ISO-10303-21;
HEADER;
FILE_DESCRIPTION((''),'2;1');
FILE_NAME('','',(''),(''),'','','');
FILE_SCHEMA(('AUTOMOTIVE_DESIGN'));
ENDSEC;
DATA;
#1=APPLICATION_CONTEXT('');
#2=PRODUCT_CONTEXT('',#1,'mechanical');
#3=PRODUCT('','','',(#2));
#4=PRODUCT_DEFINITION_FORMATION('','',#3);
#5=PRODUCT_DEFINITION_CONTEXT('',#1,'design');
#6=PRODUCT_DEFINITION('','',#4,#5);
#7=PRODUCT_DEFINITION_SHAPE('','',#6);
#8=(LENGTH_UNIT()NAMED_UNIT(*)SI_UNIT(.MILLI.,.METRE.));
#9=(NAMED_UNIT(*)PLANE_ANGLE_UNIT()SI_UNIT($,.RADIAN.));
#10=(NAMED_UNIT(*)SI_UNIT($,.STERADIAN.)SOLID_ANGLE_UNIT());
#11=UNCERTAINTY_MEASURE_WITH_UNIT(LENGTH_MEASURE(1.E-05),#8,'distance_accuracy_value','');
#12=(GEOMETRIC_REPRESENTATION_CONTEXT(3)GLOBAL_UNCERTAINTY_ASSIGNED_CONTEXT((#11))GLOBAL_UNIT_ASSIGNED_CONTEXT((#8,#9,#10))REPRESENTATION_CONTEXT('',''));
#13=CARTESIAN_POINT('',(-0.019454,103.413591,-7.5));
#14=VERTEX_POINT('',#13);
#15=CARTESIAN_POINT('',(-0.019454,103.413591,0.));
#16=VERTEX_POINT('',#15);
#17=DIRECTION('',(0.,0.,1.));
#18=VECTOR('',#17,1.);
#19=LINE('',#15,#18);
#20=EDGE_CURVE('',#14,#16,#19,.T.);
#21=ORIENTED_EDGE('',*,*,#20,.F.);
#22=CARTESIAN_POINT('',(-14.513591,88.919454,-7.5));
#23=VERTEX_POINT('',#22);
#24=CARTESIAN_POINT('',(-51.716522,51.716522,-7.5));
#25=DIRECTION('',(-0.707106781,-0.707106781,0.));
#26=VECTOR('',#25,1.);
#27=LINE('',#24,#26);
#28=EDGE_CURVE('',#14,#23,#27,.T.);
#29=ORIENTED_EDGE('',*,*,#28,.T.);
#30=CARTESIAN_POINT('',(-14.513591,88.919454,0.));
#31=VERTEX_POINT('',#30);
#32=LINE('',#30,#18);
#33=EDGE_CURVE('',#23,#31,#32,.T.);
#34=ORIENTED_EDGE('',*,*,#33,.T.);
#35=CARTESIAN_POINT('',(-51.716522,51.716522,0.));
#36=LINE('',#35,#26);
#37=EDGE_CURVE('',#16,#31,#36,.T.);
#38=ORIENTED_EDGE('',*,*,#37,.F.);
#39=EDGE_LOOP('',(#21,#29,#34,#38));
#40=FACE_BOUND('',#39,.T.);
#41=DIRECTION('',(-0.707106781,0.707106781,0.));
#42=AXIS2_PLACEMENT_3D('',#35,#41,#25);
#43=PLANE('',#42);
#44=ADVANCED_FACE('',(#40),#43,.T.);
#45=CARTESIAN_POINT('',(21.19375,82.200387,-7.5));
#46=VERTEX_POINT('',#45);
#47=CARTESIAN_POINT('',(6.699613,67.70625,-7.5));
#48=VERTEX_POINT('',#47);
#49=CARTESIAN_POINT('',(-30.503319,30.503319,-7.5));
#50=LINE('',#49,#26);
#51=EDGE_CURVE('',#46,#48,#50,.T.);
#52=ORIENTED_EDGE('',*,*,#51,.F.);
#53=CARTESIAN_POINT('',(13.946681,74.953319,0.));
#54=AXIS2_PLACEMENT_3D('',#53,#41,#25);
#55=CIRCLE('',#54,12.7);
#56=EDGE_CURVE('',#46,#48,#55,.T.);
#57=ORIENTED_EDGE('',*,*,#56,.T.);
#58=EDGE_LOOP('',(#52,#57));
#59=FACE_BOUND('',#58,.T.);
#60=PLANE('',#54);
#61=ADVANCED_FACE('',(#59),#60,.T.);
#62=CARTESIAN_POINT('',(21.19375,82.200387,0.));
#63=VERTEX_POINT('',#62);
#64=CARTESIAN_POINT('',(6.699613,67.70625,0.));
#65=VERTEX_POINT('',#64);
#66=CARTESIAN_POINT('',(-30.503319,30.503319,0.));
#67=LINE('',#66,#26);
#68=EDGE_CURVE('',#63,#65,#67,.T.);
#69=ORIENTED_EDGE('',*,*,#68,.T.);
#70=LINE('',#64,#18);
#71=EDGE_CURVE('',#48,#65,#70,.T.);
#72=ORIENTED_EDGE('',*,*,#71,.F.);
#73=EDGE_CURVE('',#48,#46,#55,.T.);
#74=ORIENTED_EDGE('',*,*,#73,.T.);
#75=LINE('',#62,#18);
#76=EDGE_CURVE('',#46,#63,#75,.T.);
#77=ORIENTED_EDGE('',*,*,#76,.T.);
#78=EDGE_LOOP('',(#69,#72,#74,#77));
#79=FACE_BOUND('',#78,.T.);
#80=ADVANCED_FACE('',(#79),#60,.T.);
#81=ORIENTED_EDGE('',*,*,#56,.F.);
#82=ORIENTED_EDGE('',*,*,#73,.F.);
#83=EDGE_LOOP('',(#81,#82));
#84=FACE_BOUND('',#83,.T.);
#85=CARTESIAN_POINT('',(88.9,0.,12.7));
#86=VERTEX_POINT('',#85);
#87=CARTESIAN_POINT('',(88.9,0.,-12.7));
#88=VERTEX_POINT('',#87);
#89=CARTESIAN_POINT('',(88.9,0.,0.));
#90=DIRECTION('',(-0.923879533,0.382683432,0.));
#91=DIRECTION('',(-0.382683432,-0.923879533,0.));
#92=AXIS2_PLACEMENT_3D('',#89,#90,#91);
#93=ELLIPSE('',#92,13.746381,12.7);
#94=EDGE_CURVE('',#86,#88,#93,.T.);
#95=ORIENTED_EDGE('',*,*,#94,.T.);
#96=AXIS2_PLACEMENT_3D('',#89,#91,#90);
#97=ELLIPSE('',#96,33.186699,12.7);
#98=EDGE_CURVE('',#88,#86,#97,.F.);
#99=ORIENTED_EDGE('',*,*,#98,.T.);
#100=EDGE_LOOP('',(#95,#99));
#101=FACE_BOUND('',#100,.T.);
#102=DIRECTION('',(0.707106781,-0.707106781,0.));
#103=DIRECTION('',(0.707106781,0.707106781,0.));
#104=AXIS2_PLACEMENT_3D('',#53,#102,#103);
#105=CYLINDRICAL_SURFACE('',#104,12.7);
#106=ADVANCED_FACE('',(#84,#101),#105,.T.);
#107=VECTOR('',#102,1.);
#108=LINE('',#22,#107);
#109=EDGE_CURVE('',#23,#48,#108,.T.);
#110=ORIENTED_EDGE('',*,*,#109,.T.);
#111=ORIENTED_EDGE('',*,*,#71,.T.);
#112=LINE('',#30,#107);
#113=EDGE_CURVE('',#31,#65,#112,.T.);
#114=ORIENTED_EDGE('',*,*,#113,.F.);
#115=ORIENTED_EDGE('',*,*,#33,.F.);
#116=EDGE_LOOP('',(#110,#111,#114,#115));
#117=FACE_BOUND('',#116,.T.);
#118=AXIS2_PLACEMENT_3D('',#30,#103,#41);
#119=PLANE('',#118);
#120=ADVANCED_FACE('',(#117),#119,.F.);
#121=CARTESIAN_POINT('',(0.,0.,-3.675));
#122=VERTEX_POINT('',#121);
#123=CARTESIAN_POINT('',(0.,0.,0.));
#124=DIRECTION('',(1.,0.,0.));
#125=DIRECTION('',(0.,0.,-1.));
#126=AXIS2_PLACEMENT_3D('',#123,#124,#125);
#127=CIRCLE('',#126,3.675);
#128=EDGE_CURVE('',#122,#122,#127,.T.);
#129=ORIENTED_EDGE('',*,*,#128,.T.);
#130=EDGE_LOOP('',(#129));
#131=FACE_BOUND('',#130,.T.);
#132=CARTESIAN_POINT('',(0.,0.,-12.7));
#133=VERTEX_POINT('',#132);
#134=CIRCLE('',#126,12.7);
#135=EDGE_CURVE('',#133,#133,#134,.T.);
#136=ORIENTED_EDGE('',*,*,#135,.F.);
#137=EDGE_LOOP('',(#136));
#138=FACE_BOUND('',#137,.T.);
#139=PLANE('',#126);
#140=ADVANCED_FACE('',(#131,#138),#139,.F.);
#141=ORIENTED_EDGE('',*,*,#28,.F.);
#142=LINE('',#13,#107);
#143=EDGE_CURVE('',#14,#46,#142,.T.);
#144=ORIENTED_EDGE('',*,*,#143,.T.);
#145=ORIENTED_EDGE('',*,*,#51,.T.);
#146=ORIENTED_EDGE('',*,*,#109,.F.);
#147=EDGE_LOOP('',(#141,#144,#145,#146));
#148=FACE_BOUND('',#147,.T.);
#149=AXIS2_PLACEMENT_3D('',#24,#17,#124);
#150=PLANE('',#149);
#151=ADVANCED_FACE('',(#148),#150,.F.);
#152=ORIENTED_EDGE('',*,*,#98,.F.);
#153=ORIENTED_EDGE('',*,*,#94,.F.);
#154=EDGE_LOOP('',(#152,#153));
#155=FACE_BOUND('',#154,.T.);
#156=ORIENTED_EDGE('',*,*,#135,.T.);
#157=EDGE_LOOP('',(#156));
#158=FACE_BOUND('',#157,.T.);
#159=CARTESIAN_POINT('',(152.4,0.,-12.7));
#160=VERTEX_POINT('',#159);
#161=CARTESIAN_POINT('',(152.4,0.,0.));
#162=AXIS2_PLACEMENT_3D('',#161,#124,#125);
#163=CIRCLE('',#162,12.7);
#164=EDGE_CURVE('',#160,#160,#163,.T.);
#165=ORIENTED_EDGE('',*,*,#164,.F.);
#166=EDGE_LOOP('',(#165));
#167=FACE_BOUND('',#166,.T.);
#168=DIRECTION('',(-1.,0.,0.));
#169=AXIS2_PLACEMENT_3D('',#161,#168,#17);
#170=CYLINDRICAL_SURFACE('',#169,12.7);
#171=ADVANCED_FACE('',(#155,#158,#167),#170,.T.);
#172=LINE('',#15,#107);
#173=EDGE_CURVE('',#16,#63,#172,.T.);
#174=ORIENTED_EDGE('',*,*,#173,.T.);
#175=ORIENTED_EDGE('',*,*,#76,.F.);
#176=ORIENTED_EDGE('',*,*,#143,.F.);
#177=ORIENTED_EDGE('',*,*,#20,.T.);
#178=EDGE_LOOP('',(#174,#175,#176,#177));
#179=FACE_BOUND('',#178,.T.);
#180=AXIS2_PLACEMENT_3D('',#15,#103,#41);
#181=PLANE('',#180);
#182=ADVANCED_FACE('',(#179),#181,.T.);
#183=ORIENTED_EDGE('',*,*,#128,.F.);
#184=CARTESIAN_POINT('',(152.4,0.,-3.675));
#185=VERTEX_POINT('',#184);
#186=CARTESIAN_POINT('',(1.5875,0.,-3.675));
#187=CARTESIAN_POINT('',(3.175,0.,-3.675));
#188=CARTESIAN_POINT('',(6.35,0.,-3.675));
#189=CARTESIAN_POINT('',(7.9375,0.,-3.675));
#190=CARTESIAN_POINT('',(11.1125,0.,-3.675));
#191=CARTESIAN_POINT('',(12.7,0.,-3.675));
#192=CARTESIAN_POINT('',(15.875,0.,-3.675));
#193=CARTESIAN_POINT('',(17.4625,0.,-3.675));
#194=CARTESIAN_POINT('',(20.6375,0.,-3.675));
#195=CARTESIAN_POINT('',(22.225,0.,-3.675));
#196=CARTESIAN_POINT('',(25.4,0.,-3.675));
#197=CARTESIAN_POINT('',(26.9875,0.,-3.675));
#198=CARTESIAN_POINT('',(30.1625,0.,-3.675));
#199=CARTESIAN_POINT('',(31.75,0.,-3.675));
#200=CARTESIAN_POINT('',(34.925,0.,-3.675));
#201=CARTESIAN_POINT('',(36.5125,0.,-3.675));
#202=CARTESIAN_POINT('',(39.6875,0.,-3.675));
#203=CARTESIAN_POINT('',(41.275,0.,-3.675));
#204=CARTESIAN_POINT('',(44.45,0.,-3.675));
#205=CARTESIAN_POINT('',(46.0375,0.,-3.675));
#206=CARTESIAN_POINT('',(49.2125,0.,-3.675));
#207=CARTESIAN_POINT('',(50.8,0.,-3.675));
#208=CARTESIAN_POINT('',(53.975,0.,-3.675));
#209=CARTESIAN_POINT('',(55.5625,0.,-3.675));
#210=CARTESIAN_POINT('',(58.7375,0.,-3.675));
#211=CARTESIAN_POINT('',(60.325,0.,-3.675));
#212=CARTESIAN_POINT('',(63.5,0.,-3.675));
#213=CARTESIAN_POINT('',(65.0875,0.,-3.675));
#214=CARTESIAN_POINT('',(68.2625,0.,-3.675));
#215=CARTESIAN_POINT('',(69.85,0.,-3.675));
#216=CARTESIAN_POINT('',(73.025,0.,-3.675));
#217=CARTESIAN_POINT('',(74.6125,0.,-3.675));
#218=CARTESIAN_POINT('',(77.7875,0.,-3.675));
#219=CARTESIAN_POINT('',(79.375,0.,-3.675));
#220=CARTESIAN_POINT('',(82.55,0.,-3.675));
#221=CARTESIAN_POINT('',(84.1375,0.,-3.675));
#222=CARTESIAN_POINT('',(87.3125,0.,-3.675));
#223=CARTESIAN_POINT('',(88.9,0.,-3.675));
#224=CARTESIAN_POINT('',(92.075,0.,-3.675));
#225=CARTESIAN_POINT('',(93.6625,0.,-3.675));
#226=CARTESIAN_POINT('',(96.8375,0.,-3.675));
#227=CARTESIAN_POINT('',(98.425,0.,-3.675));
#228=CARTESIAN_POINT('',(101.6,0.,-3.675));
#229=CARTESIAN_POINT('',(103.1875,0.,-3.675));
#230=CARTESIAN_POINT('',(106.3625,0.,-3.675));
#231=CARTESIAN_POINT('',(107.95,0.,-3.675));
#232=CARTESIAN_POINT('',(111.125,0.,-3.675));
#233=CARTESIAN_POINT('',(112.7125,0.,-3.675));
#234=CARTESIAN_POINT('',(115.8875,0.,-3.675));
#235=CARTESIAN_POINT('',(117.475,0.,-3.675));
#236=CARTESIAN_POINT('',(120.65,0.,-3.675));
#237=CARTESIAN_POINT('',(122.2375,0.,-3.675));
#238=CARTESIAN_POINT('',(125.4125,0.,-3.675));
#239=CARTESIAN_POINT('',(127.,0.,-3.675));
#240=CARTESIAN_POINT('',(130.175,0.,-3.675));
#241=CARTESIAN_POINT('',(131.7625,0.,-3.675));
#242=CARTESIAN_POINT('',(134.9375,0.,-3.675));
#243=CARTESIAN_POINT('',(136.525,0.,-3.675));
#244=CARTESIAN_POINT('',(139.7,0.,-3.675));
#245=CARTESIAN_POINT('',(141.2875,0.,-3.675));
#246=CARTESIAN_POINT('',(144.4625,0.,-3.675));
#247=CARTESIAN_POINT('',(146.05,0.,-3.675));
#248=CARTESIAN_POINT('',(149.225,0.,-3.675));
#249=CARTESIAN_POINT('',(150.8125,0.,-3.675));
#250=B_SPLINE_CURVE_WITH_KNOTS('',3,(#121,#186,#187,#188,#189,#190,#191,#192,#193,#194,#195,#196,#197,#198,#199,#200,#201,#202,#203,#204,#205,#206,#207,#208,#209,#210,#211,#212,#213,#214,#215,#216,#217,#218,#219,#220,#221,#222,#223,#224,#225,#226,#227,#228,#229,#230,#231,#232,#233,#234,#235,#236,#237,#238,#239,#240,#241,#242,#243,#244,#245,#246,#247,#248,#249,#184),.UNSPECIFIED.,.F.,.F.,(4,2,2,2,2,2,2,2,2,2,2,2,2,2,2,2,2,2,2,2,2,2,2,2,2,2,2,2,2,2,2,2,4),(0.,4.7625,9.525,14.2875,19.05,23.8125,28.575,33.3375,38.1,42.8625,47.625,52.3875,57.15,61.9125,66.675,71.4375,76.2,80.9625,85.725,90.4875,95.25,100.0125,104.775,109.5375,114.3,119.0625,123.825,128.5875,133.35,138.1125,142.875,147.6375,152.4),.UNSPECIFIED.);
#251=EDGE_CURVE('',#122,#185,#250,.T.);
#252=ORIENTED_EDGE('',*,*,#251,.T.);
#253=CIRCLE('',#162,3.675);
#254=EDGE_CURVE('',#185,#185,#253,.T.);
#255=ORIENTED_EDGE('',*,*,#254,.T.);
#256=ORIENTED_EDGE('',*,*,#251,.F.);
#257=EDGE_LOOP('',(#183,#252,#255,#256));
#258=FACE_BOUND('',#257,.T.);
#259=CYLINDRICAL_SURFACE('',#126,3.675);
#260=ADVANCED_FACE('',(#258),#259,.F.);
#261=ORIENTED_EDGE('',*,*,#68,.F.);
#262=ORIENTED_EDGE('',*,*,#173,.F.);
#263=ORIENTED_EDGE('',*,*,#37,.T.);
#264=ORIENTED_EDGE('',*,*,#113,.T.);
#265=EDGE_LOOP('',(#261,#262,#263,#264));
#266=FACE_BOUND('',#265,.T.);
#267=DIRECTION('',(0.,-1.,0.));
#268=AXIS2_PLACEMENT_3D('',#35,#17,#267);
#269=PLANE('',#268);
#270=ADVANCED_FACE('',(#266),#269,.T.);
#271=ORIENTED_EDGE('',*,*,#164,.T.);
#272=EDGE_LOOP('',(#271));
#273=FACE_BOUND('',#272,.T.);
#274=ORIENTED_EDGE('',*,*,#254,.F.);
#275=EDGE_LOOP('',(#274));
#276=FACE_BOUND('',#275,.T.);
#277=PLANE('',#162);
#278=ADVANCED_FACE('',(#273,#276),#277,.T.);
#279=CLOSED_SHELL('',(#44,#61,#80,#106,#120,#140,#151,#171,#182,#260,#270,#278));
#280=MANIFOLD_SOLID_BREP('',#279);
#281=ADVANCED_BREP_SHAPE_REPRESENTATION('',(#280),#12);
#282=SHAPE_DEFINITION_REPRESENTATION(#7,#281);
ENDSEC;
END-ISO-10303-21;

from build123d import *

# Parameters (mm, degrees)
SKETCH1_R           = 12.7
BOSS_EXTRUDE1_DEPTH = 152.4
SKETCH7_R           = 12.7
BOSS_EXTRUDE3_DEPTH = 106
SKETCH10_W          = 7.5
SKETCH10_H          = 20.497804761
BOSS_EXTRUDE8_DEPTH = 30
SKETCH11_R          = 3.675
CUT_EXTRUDE2_DEPTH  = 152.4


with BuildPart() as part:
    # Sketch1 → Boss-Extrude1 (new body)
    with BuildSketch(Plane(origin=(0, 0, 0), x_dir=(0, 0, -1), z_dir=(1, 0, 0))):
        with Locations(Location((0, 0, 0), (0, 0, 180))):
            Circle(SKETCH1_R)
    extrude(amount=BOSS_EXTRUDE1_DEPTH)

    # Sketch7 → Boss-Extrude3 (add)
    with BuildSketch(Plane(origin=(44.45, -44.45, 0), x_dir=(0.7071067811865464, 0.7071067811865488, 0), z_dir=(-0.7071067811865488, 0.7071067811865464, 0))):
        with Locations(Location((62.861792847, 0, 0), (0, 0, 90))):
            Circle(SKETCH7_R)
    extrude(amount=BOSS_EXTRUDE3_DEPTH)

    # Sketch10 → Boss-Extrude8 (add)
    with BuildSketch(Plane(origin=(-30.503318806, 30.503318806, 0), x_dir=(0, 0, 1), z_dir=(-0.7071067811865487, 0.7071067811865465, 0))):
        with Locations((-3.75, 62.861792848)):
            Rectangle(SKETCH10_W, SKETCH10_H)
    extrude(amount=BOSS_EXTRUDE8_DEPTH)

    # Sketch11 → Cut-Extrude2 (cut)
    with BuildSketch(Plane(origin=(152.4, 0, 0), x_dir=(0, 0, -1), z_dir=(1, 0, 0))):
        Circle(SKETCH11_R)
    extrude(amount=-CUT_EXTRUDE2_DEPTH, mode=Mode.SUBTRACT)


solid = part.part
